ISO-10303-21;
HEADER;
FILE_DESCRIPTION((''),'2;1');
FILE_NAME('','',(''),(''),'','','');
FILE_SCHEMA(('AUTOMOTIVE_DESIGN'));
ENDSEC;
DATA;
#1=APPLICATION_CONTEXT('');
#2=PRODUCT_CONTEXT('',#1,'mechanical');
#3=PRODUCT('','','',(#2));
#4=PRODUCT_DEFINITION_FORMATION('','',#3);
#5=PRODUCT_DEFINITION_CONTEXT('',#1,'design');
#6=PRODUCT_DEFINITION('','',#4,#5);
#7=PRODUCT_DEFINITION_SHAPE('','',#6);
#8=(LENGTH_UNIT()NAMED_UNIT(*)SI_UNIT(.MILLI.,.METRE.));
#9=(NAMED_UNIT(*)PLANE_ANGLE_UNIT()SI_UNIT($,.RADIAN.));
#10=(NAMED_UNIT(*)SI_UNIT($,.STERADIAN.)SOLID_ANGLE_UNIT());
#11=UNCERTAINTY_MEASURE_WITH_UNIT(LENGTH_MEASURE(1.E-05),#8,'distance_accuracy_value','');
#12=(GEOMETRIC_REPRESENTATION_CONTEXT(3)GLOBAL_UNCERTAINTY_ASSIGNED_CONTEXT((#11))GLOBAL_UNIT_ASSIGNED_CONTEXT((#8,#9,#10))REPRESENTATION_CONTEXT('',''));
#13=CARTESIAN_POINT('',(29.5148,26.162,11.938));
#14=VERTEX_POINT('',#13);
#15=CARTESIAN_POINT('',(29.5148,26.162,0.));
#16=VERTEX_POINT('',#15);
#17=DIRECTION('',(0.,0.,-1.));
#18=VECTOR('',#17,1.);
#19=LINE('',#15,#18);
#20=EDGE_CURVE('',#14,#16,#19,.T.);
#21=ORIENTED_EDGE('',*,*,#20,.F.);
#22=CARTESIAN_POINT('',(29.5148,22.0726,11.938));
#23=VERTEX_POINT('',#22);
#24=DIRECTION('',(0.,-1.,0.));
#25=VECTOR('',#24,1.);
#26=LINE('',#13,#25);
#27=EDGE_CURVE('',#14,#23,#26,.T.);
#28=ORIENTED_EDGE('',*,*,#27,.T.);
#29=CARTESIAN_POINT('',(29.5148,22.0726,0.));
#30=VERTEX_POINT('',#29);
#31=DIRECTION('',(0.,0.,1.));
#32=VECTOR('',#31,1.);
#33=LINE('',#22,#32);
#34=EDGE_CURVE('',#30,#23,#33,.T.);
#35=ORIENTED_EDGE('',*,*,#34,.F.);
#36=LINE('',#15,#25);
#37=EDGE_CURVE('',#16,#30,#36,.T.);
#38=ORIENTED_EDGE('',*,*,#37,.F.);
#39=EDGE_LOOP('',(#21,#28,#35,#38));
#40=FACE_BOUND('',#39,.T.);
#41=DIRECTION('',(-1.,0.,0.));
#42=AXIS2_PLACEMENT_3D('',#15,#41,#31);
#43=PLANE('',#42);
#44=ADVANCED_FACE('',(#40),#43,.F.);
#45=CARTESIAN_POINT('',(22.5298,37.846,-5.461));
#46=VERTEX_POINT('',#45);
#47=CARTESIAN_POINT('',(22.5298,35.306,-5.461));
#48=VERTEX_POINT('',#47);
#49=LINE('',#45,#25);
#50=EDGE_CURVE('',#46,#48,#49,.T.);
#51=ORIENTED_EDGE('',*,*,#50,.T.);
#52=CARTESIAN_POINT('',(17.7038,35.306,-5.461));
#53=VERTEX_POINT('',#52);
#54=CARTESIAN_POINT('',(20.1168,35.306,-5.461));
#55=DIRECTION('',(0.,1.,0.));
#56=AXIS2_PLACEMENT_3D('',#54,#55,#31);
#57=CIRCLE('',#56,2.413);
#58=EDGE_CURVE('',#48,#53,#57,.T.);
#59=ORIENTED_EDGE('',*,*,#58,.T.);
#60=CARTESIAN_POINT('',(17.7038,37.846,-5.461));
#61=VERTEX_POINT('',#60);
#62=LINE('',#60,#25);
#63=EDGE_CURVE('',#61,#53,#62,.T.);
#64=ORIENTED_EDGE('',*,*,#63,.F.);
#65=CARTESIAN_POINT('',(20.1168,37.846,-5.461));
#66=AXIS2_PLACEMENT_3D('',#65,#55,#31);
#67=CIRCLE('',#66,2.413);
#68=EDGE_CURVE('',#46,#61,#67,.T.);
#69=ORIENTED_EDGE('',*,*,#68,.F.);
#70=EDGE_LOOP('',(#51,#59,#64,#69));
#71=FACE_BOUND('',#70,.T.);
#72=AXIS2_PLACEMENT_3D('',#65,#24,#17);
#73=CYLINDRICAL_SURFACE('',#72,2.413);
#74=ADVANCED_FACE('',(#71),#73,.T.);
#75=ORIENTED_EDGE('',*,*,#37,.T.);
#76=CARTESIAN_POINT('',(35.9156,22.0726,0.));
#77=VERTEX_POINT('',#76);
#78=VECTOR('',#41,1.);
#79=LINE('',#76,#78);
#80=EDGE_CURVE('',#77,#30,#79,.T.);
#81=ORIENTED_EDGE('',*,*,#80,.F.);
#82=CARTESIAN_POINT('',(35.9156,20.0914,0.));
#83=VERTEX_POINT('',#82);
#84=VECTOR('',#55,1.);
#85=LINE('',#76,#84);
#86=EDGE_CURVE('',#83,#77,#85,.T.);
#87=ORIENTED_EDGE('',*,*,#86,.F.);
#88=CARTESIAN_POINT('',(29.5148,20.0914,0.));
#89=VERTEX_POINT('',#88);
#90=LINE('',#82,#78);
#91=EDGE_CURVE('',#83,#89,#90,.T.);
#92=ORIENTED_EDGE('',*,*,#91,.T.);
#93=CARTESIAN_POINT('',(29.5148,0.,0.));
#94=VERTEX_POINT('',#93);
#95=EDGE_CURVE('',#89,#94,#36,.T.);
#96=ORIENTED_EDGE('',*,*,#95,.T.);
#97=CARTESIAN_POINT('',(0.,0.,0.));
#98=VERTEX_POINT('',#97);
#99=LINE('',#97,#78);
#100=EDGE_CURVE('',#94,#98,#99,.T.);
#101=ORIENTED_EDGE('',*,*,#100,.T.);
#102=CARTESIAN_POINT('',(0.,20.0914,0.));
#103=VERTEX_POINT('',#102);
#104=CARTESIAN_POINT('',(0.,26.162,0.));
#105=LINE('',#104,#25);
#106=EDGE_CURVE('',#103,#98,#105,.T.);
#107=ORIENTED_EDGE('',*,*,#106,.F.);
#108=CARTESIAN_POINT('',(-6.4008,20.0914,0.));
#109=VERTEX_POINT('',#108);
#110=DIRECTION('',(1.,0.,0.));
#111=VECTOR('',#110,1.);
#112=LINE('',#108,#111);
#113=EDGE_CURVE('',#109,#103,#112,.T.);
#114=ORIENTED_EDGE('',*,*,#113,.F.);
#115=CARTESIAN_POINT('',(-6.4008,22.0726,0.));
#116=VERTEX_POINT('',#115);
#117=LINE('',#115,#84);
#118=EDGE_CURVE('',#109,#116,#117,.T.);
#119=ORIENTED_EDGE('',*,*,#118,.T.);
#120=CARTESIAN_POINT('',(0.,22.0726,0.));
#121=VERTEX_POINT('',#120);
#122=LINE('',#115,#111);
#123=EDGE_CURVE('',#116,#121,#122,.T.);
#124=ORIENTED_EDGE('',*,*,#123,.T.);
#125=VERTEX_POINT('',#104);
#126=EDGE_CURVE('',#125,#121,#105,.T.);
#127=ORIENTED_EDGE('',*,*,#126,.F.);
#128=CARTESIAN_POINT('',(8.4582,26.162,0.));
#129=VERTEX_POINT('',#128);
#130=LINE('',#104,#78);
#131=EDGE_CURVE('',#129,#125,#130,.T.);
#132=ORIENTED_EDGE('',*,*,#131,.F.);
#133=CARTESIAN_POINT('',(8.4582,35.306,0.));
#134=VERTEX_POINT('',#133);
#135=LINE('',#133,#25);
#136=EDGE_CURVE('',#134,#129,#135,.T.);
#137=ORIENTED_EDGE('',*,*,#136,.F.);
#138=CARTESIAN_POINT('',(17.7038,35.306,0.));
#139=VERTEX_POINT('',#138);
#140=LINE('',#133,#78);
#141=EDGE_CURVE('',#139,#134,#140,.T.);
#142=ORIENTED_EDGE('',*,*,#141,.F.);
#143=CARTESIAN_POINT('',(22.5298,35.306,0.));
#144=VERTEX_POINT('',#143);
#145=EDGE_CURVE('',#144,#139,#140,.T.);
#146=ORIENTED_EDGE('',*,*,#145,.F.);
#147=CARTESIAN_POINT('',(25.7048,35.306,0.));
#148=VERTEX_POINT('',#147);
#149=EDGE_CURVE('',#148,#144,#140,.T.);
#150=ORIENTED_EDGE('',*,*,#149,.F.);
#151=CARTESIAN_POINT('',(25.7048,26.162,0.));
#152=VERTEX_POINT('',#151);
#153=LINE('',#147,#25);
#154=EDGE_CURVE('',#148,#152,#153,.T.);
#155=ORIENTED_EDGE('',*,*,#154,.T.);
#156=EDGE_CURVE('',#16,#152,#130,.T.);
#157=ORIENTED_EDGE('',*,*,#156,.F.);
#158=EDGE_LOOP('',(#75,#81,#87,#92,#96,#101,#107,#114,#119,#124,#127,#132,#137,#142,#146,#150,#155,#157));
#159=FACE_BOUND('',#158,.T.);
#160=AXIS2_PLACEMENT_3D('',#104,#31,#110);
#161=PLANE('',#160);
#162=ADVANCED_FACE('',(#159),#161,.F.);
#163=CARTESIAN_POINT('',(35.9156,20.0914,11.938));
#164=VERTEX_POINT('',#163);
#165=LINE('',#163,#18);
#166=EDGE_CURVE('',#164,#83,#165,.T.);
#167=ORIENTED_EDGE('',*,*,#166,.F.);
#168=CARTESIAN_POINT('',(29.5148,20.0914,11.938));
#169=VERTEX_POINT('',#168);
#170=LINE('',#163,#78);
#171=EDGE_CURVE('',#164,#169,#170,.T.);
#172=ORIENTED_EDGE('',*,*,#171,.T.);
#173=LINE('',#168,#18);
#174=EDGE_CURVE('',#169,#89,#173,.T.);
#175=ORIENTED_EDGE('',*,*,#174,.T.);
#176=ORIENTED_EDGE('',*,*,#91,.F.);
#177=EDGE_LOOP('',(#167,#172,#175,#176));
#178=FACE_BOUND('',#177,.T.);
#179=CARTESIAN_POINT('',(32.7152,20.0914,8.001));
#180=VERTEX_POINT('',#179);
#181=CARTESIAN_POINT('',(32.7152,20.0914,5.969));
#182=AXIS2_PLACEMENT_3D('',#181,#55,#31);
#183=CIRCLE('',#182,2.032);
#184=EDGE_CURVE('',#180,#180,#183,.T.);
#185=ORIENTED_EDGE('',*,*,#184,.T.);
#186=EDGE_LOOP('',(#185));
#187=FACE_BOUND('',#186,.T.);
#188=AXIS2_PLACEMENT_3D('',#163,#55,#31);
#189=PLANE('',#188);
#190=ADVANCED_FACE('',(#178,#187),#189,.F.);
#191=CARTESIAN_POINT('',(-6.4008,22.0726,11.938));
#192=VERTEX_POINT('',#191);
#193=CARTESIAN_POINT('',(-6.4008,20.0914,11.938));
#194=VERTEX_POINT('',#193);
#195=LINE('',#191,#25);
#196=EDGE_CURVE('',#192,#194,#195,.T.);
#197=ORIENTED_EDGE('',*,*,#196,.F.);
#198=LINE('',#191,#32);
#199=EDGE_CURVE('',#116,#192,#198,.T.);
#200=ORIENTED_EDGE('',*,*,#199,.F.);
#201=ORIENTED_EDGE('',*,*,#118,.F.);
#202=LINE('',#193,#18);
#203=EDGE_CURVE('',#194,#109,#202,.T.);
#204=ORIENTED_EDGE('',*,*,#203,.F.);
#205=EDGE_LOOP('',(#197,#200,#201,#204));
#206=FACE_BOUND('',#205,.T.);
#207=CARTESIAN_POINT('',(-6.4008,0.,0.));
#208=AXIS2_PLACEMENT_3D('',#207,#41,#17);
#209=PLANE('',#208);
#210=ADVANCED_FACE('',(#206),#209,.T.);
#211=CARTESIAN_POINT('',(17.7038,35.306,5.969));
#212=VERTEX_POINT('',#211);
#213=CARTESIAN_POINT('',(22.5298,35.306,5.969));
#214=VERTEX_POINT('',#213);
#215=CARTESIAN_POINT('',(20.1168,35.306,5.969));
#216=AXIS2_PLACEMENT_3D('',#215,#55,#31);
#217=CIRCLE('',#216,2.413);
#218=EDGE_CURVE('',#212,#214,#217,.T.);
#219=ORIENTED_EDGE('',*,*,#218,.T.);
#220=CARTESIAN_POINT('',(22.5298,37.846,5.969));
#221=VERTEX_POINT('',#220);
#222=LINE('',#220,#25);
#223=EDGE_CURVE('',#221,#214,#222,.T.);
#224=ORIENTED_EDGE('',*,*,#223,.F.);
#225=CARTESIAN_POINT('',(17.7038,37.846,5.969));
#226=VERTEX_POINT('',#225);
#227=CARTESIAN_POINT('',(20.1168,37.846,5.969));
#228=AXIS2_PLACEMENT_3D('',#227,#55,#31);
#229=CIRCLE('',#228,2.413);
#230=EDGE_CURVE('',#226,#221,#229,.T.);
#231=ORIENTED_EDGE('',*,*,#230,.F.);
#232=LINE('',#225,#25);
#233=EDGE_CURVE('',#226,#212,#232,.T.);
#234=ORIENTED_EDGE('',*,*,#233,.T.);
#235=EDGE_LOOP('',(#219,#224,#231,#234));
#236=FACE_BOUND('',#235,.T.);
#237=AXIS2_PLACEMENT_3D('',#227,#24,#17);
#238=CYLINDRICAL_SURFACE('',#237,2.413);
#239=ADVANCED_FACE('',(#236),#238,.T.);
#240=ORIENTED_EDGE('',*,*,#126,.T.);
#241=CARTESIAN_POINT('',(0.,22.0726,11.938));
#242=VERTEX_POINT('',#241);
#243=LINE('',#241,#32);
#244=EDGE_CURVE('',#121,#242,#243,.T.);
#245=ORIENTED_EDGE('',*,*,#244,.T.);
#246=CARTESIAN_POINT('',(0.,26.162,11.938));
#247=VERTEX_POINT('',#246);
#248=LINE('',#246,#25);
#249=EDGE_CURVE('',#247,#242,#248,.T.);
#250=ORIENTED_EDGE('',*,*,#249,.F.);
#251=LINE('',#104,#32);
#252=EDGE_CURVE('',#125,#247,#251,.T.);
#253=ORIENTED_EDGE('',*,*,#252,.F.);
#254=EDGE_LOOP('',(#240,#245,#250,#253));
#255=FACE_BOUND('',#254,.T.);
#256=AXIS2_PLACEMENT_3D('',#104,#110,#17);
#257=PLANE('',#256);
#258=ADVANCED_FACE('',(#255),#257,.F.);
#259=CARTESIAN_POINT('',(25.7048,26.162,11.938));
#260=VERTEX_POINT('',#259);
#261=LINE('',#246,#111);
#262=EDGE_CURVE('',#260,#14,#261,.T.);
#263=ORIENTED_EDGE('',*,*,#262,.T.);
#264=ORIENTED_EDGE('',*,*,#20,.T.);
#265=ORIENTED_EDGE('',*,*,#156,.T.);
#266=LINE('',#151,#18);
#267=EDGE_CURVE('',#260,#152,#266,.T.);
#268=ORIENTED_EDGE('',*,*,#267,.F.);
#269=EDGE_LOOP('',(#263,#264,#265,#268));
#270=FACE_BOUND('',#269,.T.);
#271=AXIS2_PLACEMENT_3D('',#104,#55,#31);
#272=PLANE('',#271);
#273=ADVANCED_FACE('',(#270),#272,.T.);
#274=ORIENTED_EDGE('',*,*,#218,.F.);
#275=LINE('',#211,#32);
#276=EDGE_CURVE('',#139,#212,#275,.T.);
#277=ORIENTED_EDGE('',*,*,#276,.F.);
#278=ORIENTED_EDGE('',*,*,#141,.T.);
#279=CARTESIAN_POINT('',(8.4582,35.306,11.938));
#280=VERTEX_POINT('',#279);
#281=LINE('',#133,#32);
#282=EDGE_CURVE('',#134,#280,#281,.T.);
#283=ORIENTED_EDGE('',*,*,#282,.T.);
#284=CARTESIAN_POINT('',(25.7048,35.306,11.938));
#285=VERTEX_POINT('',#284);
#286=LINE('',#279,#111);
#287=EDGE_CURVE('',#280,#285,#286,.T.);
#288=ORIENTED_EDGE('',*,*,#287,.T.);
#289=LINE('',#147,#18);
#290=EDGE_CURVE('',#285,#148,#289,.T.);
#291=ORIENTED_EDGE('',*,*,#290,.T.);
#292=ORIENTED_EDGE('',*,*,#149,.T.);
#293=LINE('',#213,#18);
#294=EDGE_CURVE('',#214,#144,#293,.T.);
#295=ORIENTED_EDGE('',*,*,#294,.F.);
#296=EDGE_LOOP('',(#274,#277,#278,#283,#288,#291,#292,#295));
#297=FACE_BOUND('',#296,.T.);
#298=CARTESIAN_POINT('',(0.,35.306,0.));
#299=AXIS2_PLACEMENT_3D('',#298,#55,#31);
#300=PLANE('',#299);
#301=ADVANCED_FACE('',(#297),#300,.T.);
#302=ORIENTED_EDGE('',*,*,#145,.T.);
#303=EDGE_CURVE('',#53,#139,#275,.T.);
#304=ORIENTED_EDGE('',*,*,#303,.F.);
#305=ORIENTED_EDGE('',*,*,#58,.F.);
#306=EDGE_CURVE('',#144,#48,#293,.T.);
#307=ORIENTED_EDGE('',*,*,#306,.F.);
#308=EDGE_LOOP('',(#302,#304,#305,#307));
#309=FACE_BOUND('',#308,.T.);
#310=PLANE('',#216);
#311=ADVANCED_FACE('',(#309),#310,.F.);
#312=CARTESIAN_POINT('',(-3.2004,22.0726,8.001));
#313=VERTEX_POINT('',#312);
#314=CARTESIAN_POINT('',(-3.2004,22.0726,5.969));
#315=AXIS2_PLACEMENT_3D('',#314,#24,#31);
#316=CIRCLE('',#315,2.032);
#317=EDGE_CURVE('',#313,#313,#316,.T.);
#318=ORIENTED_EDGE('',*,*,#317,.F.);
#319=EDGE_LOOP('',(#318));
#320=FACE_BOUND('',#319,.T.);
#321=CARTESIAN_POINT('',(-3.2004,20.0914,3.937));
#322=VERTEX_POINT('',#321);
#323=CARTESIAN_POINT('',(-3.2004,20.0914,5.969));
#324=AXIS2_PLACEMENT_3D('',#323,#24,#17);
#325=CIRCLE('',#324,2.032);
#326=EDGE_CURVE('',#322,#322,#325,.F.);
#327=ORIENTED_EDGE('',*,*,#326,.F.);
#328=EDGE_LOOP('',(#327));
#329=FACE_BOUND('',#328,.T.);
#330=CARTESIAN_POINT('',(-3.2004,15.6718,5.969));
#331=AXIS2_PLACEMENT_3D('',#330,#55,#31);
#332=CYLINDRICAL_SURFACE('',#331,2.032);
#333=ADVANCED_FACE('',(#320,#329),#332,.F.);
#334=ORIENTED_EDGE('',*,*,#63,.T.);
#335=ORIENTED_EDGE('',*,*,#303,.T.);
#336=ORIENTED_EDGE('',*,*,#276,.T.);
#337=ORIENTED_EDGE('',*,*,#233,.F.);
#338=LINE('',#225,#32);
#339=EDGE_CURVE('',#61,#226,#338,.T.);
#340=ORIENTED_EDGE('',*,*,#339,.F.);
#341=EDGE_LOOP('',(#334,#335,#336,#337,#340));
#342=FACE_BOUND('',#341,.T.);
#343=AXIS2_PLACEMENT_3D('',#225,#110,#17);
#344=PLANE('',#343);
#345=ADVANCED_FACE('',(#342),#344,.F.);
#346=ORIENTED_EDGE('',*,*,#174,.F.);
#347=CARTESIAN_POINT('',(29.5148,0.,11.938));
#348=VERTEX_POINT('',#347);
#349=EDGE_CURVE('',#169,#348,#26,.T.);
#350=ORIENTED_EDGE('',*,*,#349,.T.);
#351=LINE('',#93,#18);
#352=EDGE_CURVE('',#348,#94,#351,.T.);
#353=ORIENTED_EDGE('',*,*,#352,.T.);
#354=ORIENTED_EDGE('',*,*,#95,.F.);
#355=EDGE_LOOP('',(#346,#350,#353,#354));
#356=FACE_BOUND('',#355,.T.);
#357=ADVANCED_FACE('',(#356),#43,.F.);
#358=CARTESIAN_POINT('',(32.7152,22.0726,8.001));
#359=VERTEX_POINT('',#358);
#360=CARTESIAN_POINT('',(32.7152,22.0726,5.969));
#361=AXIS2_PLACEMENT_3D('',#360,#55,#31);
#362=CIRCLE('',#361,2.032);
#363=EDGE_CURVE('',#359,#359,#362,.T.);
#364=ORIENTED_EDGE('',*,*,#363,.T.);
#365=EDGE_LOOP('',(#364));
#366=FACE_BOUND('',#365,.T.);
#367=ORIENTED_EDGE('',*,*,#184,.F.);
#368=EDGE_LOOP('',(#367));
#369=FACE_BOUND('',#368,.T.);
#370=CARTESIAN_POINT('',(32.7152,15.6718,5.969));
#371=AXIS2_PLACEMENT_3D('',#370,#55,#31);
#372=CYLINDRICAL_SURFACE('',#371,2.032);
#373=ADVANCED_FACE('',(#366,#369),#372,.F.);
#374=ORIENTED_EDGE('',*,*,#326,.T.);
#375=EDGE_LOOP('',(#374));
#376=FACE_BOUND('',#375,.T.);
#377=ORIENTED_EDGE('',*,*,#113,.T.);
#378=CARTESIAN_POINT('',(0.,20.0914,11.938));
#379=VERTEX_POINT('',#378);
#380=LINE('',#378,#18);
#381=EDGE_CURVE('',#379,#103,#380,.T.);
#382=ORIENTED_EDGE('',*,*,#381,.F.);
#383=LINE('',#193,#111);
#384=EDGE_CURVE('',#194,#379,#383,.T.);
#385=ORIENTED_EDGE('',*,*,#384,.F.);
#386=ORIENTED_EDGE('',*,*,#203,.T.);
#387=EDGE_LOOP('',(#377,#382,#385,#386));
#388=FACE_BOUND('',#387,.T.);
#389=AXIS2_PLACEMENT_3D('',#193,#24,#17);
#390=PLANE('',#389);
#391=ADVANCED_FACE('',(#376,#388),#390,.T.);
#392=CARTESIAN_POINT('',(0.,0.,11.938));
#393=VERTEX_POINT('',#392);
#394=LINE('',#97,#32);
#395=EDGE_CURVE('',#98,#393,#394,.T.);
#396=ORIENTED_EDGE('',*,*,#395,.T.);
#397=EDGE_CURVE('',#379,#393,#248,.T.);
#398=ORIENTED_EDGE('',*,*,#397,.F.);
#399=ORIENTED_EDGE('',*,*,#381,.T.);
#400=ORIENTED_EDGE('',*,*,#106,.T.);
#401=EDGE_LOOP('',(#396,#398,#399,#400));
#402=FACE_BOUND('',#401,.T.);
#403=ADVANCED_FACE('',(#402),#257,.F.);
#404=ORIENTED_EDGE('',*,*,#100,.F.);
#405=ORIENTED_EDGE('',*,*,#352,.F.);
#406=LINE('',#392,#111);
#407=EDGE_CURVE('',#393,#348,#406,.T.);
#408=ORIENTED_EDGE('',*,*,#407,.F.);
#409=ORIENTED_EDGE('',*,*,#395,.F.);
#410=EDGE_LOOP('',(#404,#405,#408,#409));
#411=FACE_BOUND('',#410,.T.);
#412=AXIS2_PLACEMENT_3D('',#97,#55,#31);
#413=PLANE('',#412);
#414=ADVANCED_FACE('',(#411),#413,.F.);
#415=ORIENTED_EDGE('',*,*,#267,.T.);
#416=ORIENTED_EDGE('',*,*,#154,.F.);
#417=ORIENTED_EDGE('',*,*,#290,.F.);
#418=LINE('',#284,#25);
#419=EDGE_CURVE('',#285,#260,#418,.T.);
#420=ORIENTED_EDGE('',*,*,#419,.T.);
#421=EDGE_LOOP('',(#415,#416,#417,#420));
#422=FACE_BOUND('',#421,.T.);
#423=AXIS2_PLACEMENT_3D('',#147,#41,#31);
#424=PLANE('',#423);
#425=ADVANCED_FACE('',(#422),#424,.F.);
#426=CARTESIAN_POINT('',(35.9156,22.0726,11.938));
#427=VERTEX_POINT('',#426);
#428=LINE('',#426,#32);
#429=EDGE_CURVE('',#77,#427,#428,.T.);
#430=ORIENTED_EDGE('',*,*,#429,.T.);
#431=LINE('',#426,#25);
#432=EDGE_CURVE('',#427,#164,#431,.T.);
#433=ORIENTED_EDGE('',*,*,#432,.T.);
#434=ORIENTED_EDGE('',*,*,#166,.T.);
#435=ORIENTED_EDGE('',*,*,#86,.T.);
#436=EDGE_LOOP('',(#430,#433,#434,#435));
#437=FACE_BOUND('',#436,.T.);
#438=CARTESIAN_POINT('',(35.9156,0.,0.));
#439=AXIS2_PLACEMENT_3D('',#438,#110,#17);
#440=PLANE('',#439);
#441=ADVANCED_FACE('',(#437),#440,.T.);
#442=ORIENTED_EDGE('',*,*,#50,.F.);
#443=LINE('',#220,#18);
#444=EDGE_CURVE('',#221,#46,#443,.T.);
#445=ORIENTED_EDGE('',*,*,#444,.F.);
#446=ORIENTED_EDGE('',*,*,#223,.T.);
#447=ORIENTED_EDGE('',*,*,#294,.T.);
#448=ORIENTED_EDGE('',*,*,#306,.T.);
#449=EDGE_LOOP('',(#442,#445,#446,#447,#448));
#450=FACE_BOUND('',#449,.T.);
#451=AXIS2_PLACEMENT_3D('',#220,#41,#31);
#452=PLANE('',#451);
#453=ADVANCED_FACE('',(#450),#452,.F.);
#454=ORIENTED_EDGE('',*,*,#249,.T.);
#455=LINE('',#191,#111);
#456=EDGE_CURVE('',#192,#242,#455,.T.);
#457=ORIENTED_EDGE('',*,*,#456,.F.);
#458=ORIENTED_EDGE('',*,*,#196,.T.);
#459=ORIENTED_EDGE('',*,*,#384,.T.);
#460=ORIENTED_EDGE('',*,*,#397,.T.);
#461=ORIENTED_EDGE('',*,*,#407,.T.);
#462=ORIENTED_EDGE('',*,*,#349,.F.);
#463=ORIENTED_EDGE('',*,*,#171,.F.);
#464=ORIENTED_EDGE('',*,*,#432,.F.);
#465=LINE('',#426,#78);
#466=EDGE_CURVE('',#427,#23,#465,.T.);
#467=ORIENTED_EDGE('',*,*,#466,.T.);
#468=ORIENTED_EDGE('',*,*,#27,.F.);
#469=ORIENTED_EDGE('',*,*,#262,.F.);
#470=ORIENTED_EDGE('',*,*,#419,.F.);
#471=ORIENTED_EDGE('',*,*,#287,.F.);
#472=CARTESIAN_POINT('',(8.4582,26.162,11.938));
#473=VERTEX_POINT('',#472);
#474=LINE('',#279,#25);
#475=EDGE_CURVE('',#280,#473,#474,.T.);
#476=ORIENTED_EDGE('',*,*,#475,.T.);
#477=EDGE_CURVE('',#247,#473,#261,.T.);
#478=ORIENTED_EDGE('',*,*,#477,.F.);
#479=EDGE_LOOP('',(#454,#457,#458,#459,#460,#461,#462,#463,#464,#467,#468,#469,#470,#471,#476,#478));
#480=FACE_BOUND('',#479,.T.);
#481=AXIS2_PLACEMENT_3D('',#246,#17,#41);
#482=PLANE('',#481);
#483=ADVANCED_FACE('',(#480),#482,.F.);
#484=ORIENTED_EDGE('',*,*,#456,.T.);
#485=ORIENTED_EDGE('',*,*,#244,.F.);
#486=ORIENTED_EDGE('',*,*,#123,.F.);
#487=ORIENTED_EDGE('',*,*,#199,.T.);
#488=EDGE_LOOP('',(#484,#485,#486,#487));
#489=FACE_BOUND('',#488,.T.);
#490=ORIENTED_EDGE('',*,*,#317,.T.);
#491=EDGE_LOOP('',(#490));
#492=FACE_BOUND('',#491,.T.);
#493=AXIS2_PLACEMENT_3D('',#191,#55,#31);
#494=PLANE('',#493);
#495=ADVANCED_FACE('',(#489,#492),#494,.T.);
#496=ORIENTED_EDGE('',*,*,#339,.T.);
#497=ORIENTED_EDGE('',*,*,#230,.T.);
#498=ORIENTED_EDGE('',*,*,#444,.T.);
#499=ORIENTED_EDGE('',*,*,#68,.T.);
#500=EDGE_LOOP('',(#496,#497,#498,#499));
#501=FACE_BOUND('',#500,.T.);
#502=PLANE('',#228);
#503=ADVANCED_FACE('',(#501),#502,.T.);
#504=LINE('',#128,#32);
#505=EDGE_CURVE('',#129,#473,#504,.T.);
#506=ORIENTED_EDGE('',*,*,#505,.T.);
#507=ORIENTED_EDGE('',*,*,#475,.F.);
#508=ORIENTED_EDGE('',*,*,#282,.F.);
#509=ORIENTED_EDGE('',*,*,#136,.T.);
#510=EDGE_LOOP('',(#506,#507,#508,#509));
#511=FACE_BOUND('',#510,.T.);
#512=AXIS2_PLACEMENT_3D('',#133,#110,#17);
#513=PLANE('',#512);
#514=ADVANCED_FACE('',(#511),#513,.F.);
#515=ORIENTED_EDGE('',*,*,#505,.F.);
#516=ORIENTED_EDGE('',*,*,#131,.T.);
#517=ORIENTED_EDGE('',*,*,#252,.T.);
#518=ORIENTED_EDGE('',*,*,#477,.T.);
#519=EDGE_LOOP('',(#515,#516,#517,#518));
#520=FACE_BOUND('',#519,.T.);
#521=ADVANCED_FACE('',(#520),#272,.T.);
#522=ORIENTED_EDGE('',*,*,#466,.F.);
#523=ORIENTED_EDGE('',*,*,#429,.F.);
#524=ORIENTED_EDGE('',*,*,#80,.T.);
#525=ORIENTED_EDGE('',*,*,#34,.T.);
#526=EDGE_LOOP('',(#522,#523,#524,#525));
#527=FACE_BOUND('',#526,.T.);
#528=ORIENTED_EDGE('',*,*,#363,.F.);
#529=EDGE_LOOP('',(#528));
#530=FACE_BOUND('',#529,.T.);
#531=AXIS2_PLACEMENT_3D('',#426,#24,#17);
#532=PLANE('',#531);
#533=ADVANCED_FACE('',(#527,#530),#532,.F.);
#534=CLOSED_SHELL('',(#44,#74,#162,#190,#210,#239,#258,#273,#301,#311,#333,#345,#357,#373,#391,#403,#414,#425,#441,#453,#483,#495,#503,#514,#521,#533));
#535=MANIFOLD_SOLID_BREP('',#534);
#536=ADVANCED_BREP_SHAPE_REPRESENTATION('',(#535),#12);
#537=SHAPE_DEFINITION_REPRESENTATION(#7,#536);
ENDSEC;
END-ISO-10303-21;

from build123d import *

# Parameters (mm, degrees)
SKETCH3_W           = 29.5148
SKETCH3_H           = 11.938
BOSS_EXTRUDE1_DEPTH = 26.162
SKETCH4_W           = 11.938
SKETCH4_H           = 1.9812
BOSS_EXTRUDE2_DEPTH = 6.4008
SKETCH5_R           = 2.032
CUT_EXTRUDE1_DEPTH  = 6.4008
SKETCH6_W           = 17.2466
SKETCH6_H           = 11.938
BOSS_EXTRUDE3_DEPTH = 9.144
BOSS_EXTRUDE4_DEPTH = 2.54


with BuildPart() as part:
    # Sketch3 → Boss-Extrude1 (new body)
    with BuildSketch(Plane(origin=(0, 0, 0), x_dir=(1, 0, 0), z_dir=(0, 1, 0))):
        with Locations((14.7574, -5.969)):
            Rectangle(SKETCH3_W, SKETCH3_H)
    extrude(amount=BOSS_EXTRUDE1_DEPTH)

    # Sketch4 → Boss-Extrude2 (add)
    with BuildSketch(Plane(origin=(29.5148, 0, 0), x_dir=(0, 0, -1), z_dir=(1, 0, 0))):
        with Locations((-5.969, 21.082)):
            Rectangle(SKETCH4_W, SKETCH4_H)
    boss_extrude2 = extrude(amount=BOSS_EXTRUDE2_DEPTH)

    # Mirror1: Boss-Extrude2 across plane
    add(boss_extrude2.mirror(Plane(origin=(14.7574, 0, 0), x_dir=(0, 0, 1), z_dir=(1, 0, 0))))

    # Sketch5 → Cut-Extrude1 (cut)
    with BuildSketch(Plane(origin=(0, 22.0726, 0), x_dir=(1, 0, 0), z_dir=(0, 1, 0))):
        with Locations((32.7152, -5.969)):
            Circle(SKETCH5_R)
    cut_extrude1 = extrude(amount=-CUT_EXTRUDE1_DEPTH, mode=Mode.SUBTRACT)

    # Mirror2: Cut-Extrude1 across plane
    add(cut_extrude1.mirror(Plane(origin=(14.7574, 0, 0), x_dir=(0, 0, 1), z_dir=(1, 0, 0))), mode=Mode.SUBTRACT)

    # Sketch6 → Boss-Extrude3 (add)
    with BuildSketch(Plane(origin=(0, 26.162, 0), x_dir=(1, 0, 0), z_dir=(0, 1, 0))):
        with Locations((17.0815, -5.969)):
            Rectangle(SKETCH6_W, SKETCH6_H)
    extrude(amount=BOSS_EXTRUDE3_DEPTH)

    # Sketch7 → Boss-Extrude4 (add)
    with BuildSketch(Plane(origin=(0, 35.306, 0), x_dir=(1, 0, 0), z_dir=(0, 1, 0))):
        with BuildLine():
            Line((17.7038, -5.969), (17.7038, 5.461))
            ThreePointArc((17.7038, 5.461), (20.1168, 7.874), (22.5298, 5.461))
            Line((22.5298, 5.461), (22.5298, -5.969))
            ThreePointArc((22.5298, -5.969), (20.1168, -8.382), (17.7038, -5.969))
        make_face()
    extrude(amount=BOSS_EXTRUDE4_DEPTH)


solid = part.part
